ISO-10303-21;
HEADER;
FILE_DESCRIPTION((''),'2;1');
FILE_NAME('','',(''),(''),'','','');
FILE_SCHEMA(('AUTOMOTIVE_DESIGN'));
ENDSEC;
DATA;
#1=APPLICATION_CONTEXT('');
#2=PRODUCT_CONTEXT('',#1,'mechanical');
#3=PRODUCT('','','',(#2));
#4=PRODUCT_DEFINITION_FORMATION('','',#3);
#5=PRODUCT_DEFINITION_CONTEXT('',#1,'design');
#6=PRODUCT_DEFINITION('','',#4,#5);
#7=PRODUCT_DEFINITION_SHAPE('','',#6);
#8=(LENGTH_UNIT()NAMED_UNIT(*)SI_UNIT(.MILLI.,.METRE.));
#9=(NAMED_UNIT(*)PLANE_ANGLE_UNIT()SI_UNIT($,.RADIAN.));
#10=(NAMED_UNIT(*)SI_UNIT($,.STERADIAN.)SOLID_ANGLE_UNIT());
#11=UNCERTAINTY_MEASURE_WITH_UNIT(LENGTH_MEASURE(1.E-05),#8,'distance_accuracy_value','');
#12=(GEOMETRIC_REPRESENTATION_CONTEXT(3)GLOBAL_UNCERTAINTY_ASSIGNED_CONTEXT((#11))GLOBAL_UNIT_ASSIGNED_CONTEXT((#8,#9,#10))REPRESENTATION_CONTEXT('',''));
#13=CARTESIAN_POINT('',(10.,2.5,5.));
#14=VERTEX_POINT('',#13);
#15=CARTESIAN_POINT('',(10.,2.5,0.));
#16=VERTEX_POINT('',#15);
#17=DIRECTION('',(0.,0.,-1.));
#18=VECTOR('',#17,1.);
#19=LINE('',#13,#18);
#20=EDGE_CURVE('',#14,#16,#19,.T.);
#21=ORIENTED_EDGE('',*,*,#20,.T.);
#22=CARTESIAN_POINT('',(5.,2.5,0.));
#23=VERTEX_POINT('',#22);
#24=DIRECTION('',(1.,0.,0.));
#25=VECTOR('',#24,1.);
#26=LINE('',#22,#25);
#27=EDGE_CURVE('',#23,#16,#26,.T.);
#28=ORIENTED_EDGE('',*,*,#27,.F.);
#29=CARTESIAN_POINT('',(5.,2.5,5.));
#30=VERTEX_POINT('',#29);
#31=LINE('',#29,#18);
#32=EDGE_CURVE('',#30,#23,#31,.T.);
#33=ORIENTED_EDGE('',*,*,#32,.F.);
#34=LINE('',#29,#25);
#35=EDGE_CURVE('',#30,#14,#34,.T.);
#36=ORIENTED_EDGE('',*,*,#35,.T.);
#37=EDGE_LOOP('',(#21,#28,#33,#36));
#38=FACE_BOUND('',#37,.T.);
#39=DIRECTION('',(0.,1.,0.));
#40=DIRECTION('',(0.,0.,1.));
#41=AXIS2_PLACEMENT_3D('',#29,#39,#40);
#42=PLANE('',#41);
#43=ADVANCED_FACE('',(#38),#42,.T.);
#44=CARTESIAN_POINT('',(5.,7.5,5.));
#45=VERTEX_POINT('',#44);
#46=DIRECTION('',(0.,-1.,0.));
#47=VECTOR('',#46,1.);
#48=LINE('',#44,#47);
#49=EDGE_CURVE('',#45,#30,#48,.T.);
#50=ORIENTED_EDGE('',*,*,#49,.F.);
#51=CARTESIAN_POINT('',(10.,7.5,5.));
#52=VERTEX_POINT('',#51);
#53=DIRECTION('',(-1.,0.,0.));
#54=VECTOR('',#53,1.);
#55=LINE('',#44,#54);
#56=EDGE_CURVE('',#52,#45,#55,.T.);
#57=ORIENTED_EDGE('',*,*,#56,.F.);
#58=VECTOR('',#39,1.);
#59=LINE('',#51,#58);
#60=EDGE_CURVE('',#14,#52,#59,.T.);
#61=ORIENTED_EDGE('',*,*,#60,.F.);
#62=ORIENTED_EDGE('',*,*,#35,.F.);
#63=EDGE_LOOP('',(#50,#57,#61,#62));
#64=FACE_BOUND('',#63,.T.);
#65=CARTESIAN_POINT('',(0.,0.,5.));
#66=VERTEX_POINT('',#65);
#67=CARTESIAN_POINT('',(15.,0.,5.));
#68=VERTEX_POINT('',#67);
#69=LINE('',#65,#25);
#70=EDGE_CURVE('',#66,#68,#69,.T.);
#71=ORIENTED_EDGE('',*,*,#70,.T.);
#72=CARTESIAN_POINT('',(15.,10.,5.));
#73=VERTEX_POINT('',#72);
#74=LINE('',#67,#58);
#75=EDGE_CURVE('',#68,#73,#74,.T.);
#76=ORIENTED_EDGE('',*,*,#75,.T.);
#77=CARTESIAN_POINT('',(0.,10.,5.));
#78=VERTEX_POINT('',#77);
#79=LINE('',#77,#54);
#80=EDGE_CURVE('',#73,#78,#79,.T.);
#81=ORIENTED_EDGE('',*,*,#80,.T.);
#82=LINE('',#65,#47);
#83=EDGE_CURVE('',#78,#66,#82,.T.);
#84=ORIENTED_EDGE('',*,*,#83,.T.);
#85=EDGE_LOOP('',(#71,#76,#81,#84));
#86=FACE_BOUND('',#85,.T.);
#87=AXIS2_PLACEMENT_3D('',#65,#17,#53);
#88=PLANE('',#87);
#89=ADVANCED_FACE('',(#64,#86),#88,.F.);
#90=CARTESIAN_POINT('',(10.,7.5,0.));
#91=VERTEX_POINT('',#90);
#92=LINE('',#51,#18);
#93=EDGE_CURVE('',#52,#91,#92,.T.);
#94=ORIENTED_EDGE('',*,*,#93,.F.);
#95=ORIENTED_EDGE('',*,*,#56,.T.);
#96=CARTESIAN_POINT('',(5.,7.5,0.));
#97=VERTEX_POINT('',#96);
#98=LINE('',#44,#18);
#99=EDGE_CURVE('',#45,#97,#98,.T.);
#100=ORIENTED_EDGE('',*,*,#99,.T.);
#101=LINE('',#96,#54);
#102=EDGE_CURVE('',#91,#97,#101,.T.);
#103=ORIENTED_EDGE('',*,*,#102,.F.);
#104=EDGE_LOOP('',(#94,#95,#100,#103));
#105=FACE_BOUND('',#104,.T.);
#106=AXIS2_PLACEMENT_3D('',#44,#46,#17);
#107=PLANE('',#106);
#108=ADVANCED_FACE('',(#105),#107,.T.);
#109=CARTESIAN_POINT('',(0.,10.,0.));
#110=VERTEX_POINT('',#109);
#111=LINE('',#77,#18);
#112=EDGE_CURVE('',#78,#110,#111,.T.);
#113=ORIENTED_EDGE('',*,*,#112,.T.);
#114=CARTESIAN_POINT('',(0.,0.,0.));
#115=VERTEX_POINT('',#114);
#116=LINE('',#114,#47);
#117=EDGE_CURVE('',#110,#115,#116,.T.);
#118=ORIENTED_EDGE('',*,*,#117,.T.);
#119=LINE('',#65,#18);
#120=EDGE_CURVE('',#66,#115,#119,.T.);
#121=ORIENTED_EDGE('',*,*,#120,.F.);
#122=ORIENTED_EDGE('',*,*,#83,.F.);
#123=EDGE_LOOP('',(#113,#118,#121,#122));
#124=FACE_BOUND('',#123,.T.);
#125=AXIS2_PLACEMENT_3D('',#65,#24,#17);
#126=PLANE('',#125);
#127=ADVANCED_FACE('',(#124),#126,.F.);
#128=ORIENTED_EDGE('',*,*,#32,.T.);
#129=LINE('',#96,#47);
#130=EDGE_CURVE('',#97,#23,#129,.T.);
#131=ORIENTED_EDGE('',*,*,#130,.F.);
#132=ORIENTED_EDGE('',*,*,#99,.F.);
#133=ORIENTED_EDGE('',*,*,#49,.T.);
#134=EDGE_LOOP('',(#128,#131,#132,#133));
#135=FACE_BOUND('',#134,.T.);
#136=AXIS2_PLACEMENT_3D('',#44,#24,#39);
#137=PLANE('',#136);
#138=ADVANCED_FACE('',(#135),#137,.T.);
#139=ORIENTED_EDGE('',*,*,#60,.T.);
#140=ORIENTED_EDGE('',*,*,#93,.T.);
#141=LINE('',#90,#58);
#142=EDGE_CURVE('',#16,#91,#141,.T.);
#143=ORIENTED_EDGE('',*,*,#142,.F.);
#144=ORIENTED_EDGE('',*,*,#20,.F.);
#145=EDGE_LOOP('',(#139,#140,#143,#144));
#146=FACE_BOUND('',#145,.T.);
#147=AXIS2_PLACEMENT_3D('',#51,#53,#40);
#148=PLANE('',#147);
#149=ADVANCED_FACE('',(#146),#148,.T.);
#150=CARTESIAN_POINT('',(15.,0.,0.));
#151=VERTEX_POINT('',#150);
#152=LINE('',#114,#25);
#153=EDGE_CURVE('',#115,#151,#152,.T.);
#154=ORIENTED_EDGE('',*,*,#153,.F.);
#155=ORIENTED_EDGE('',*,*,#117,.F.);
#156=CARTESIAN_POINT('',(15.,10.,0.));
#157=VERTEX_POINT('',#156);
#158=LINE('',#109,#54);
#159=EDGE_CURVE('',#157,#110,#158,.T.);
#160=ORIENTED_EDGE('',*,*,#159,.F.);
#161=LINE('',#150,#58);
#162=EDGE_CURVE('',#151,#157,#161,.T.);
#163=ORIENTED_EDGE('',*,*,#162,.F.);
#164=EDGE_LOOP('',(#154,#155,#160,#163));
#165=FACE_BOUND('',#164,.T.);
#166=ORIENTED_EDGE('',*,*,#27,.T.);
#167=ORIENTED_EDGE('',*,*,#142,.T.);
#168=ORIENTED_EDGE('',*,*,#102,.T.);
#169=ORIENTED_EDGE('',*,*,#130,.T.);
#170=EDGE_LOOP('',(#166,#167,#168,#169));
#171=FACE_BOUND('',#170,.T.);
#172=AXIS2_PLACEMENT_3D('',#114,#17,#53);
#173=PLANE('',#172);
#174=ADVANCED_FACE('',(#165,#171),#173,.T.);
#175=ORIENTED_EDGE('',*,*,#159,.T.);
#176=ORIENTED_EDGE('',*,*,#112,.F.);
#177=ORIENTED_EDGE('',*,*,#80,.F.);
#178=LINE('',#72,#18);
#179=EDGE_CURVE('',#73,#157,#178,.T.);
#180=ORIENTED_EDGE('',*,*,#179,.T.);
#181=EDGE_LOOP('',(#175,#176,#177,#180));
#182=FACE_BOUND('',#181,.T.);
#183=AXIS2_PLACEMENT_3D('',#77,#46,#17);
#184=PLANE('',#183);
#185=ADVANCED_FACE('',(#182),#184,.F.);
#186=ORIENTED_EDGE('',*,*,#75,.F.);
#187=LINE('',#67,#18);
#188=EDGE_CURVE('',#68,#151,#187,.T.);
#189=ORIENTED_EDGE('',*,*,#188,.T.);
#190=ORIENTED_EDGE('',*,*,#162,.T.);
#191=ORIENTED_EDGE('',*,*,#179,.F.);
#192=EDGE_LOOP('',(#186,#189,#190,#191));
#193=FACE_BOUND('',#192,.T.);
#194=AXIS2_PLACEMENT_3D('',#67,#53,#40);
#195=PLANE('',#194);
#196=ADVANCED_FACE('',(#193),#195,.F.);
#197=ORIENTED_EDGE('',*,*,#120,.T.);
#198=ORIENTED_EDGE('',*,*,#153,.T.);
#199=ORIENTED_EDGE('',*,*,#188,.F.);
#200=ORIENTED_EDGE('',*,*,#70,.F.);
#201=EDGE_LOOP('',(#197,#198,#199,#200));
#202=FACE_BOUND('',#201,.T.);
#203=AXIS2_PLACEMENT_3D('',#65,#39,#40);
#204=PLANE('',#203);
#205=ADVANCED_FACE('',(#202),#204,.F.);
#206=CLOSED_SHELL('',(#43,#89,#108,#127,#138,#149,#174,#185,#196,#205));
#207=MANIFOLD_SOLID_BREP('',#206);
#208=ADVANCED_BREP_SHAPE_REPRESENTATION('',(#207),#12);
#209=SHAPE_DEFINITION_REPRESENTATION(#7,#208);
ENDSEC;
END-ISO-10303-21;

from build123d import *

# Parameters (mm, degrees)
ESQUISSE1_W        = 15
ESQUISSE1_H        = 10
ESQUISSE1_W_2      = 5
ESQUISSE1_H_2      = 5
BOSS_EXTRU_1_DEPTH = 5


with BuildPart() as part:
    # Esquisse1 → Boss.-Extru.1 (new body)
    with BuildSketch(Plane.XY):
        with Locations((7.5, 5)):
            Rectangle(ESQUISSE1_W, ESQUISSE1_H)
        with Locations((7.5, 5)):
            Rectangle(ESQUISSE1_W_2, ESQUISSE1_H_2, mode=Mode.SUBTRACT)
    extrude(amount=BOSS_EXTRU_1_DEPTH)


solid = part.part
